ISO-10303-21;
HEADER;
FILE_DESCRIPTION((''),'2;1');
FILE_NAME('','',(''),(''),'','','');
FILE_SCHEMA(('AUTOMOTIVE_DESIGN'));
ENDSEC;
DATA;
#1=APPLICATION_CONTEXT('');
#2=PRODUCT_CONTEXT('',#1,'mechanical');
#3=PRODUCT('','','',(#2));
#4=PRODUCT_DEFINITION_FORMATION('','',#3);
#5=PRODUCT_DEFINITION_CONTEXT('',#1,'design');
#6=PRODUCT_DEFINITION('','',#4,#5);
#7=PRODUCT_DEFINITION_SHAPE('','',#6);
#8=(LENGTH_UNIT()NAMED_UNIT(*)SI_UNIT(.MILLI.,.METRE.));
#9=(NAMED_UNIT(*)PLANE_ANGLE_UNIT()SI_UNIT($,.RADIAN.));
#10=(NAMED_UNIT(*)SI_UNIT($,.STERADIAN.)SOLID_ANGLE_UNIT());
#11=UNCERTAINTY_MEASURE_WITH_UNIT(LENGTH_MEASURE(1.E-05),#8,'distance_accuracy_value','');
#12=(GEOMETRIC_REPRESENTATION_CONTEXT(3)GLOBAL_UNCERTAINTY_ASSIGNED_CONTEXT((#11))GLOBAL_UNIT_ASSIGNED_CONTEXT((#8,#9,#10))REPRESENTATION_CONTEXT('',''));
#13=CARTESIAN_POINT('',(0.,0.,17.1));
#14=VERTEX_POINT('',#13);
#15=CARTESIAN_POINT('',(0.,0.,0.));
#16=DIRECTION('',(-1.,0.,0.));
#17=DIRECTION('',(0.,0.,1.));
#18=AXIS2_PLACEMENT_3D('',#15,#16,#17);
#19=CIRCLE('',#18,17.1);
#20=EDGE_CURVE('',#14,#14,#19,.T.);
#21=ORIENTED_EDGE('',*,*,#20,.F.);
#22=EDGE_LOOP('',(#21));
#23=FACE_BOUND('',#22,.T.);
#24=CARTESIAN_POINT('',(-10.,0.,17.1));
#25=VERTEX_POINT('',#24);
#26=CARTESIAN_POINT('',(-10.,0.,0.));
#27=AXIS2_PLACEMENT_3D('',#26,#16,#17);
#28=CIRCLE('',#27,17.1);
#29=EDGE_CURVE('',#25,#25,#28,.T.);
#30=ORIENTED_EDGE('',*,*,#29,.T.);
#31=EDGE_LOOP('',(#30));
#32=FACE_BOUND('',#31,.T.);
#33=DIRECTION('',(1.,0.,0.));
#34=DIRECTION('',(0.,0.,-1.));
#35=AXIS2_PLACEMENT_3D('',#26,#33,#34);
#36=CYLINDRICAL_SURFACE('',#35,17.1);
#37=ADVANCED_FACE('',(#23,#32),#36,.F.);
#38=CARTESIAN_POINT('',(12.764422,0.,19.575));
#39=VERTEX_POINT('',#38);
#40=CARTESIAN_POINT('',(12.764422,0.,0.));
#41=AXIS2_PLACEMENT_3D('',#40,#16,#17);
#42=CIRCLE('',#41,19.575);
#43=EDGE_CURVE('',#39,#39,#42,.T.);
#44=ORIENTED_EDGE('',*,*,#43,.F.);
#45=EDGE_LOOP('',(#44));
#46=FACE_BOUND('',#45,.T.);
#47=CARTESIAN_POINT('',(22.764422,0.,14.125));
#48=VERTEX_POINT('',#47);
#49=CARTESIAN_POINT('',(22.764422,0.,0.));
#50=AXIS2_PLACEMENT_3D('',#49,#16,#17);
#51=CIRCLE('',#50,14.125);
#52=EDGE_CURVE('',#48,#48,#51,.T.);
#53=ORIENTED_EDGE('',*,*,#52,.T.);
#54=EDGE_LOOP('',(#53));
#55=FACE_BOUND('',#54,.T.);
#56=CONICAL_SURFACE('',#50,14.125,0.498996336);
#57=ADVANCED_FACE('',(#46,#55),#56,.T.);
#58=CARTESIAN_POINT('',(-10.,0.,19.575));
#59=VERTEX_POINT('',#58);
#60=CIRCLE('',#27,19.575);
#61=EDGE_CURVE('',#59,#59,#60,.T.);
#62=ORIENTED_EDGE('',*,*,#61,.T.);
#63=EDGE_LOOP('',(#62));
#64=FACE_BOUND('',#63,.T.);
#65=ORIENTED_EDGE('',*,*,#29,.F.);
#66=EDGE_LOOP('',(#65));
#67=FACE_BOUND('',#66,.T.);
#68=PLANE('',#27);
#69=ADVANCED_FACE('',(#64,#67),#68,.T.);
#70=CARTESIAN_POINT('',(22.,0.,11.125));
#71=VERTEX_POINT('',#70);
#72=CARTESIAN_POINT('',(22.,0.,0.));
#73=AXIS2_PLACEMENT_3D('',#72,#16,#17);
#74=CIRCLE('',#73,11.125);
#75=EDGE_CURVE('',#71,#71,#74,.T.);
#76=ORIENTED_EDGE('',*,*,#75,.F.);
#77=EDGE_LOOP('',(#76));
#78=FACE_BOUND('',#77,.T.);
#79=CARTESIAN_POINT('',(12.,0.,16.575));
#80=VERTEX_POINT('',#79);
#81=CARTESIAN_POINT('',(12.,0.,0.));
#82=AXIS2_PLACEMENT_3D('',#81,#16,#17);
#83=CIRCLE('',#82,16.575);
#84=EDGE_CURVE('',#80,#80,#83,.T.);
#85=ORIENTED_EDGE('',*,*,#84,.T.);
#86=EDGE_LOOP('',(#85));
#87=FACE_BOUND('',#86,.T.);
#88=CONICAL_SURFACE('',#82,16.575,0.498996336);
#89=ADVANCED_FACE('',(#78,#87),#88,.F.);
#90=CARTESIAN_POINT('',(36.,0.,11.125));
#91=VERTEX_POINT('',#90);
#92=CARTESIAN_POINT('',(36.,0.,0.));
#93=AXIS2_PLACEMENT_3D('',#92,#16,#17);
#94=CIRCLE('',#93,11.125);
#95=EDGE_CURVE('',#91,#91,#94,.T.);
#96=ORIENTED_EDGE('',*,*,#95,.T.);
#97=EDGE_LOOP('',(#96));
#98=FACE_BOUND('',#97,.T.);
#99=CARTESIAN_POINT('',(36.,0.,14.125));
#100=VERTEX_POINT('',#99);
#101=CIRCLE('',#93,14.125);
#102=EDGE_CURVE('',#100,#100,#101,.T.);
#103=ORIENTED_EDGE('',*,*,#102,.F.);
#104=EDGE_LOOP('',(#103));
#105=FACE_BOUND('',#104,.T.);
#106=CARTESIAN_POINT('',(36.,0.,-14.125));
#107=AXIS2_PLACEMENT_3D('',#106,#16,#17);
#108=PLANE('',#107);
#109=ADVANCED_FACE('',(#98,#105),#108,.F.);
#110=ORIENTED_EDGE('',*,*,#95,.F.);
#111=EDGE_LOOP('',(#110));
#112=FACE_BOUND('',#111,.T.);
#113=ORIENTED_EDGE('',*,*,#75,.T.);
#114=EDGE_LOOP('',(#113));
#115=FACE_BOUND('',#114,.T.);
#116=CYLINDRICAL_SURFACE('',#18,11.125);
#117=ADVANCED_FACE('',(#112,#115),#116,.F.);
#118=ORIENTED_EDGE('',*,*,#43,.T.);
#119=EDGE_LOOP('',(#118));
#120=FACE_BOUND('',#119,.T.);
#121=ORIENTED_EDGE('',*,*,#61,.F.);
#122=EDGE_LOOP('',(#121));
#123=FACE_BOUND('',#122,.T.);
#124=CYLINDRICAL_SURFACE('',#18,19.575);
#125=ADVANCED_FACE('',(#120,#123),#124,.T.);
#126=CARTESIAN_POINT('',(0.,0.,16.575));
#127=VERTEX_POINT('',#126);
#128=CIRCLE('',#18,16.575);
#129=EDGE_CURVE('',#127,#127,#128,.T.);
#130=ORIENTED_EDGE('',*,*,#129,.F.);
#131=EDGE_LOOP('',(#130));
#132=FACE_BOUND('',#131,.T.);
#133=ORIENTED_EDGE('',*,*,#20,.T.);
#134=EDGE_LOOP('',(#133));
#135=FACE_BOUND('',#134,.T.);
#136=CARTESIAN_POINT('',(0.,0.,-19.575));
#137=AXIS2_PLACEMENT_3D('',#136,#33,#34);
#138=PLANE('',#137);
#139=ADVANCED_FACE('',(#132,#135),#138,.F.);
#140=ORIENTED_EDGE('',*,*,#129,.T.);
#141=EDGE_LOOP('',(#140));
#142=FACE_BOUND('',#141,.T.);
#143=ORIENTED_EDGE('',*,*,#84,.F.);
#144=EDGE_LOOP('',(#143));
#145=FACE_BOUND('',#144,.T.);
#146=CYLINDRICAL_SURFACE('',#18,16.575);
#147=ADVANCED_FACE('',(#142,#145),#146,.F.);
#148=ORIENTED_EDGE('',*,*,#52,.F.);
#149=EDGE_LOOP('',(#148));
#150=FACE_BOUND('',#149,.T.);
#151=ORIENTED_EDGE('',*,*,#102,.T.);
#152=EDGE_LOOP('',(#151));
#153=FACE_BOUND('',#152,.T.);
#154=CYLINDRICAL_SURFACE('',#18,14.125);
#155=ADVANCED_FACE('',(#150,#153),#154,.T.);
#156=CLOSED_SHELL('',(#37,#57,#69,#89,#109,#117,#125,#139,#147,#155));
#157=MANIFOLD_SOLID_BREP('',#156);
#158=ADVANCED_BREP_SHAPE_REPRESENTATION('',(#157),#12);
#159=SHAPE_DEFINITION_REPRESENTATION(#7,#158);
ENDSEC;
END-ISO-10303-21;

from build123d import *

# Parameters (mm, degrees)
BOSS_EXTRUDE1_START = 10
SKETCH2_R           = 19.575
SKETCH2_R_2         = 17.1
BOSS_EXTRUDE1_DEPTH = 10


with BuildPart() as part:
    # Sketch1 → Revolve1 (revolve)
    with BuildSketch(Plane(origin=(0, 0, 0), x_dir=(1, 0, 0), z_dir=(0, 1, 0)), mode=Mode.PRIVATE) as revolve1_sk:
        Polygon((0, 16.575), (12, 16.575), (22, 11.125), (36, 11.125), (36, 14.125), (22.764422316, 14.125), (12.764422316, 19.575), (0, 19.575), align=None)
    revolve(revolve1_sk.sketch.rotate(Axis((0, 0, 0), (1, 0, 0)), 180), axis=Axis((0, 0, 0), (1, 0, 0)))

    # Sketch2 → Boss-Extrude1 (add)
    with BuildSketch(Plane.ZY.offset(BOSS_EXTRUDE1_START)):
        Circle(SKETCH2_R)
        Circle(SKETCH2_R_2, mode=Mode.SUBTRACT)
    extrude(amount=-BOSS_EXTRUDE1_DEPTH)


solid = part.part
